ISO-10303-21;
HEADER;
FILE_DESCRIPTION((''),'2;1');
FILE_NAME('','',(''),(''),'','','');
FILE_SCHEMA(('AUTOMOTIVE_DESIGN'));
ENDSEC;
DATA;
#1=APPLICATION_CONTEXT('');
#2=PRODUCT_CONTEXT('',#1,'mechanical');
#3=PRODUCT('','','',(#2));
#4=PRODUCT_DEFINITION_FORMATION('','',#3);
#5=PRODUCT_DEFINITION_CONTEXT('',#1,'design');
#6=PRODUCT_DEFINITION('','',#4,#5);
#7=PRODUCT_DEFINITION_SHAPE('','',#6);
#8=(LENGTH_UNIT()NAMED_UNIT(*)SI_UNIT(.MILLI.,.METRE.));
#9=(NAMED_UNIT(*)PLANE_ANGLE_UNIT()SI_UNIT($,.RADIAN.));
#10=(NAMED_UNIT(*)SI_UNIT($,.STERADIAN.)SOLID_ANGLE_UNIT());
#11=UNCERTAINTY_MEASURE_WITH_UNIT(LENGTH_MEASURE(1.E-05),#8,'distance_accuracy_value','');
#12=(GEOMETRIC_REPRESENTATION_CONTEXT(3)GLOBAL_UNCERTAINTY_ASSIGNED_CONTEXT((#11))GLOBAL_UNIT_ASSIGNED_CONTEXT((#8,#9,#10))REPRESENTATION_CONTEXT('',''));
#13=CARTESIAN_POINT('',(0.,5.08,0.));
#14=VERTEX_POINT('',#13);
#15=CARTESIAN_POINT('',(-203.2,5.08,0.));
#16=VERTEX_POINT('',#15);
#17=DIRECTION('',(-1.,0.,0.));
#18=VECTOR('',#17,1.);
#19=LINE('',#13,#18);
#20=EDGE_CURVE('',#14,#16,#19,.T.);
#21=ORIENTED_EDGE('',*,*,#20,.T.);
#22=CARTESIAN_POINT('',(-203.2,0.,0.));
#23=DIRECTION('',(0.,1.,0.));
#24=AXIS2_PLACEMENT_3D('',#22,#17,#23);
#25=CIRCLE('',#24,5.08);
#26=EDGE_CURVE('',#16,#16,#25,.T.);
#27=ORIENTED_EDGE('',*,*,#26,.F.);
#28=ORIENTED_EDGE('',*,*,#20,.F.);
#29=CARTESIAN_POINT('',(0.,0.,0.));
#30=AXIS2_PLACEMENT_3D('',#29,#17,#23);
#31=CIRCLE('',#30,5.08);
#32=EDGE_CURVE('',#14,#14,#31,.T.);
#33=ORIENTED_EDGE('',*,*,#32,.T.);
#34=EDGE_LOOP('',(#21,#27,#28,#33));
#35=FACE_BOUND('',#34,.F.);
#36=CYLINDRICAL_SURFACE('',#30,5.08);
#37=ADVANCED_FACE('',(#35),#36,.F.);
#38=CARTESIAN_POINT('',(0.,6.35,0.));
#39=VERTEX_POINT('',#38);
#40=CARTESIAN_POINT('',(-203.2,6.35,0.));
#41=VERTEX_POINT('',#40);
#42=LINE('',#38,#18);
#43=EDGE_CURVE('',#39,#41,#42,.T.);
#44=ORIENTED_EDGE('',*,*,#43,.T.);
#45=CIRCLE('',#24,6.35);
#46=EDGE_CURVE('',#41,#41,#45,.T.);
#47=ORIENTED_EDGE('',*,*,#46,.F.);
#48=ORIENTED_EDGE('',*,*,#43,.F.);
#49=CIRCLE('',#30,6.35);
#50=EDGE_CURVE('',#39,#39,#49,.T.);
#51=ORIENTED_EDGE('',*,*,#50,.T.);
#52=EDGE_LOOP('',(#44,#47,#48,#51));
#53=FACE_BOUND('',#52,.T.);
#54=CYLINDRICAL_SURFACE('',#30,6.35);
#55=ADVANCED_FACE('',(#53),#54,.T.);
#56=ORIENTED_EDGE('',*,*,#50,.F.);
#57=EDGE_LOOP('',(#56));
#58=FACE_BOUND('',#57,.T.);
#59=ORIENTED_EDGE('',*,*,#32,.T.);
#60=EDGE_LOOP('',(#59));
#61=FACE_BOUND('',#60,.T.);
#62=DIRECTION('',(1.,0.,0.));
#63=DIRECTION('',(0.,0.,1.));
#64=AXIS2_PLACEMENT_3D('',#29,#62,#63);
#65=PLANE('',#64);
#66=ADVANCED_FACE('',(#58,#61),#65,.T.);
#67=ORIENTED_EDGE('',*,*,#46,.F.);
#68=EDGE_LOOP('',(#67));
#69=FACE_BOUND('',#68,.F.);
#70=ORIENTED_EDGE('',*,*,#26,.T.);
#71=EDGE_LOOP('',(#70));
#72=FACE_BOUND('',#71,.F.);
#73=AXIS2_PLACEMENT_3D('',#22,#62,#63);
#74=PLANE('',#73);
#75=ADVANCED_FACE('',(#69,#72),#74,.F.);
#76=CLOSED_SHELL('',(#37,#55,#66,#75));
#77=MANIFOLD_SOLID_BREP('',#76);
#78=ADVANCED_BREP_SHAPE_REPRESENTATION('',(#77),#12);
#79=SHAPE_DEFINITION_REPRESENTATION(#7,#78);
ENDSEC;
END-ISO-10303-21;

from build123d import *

# Parameters (mm, degrees)
F0_R   = 6.35
F0_R_2 = 5.08


with BuildPart() as f2:
    # F2: sweep along a path in F1
    with BuildLine(Plane.XZ) as f2_path:
        Line((0, 0), (-203.2, 0))
    # F0 (on Right) → F2 (sweep)
    with BuildSketch(Plane.YZ):
        Circle(F0_R)
        Circle(F0_R_2, mode=Mode.SUBTRACT)
    sweep(path=f2_path.line)


solid = f2.part
